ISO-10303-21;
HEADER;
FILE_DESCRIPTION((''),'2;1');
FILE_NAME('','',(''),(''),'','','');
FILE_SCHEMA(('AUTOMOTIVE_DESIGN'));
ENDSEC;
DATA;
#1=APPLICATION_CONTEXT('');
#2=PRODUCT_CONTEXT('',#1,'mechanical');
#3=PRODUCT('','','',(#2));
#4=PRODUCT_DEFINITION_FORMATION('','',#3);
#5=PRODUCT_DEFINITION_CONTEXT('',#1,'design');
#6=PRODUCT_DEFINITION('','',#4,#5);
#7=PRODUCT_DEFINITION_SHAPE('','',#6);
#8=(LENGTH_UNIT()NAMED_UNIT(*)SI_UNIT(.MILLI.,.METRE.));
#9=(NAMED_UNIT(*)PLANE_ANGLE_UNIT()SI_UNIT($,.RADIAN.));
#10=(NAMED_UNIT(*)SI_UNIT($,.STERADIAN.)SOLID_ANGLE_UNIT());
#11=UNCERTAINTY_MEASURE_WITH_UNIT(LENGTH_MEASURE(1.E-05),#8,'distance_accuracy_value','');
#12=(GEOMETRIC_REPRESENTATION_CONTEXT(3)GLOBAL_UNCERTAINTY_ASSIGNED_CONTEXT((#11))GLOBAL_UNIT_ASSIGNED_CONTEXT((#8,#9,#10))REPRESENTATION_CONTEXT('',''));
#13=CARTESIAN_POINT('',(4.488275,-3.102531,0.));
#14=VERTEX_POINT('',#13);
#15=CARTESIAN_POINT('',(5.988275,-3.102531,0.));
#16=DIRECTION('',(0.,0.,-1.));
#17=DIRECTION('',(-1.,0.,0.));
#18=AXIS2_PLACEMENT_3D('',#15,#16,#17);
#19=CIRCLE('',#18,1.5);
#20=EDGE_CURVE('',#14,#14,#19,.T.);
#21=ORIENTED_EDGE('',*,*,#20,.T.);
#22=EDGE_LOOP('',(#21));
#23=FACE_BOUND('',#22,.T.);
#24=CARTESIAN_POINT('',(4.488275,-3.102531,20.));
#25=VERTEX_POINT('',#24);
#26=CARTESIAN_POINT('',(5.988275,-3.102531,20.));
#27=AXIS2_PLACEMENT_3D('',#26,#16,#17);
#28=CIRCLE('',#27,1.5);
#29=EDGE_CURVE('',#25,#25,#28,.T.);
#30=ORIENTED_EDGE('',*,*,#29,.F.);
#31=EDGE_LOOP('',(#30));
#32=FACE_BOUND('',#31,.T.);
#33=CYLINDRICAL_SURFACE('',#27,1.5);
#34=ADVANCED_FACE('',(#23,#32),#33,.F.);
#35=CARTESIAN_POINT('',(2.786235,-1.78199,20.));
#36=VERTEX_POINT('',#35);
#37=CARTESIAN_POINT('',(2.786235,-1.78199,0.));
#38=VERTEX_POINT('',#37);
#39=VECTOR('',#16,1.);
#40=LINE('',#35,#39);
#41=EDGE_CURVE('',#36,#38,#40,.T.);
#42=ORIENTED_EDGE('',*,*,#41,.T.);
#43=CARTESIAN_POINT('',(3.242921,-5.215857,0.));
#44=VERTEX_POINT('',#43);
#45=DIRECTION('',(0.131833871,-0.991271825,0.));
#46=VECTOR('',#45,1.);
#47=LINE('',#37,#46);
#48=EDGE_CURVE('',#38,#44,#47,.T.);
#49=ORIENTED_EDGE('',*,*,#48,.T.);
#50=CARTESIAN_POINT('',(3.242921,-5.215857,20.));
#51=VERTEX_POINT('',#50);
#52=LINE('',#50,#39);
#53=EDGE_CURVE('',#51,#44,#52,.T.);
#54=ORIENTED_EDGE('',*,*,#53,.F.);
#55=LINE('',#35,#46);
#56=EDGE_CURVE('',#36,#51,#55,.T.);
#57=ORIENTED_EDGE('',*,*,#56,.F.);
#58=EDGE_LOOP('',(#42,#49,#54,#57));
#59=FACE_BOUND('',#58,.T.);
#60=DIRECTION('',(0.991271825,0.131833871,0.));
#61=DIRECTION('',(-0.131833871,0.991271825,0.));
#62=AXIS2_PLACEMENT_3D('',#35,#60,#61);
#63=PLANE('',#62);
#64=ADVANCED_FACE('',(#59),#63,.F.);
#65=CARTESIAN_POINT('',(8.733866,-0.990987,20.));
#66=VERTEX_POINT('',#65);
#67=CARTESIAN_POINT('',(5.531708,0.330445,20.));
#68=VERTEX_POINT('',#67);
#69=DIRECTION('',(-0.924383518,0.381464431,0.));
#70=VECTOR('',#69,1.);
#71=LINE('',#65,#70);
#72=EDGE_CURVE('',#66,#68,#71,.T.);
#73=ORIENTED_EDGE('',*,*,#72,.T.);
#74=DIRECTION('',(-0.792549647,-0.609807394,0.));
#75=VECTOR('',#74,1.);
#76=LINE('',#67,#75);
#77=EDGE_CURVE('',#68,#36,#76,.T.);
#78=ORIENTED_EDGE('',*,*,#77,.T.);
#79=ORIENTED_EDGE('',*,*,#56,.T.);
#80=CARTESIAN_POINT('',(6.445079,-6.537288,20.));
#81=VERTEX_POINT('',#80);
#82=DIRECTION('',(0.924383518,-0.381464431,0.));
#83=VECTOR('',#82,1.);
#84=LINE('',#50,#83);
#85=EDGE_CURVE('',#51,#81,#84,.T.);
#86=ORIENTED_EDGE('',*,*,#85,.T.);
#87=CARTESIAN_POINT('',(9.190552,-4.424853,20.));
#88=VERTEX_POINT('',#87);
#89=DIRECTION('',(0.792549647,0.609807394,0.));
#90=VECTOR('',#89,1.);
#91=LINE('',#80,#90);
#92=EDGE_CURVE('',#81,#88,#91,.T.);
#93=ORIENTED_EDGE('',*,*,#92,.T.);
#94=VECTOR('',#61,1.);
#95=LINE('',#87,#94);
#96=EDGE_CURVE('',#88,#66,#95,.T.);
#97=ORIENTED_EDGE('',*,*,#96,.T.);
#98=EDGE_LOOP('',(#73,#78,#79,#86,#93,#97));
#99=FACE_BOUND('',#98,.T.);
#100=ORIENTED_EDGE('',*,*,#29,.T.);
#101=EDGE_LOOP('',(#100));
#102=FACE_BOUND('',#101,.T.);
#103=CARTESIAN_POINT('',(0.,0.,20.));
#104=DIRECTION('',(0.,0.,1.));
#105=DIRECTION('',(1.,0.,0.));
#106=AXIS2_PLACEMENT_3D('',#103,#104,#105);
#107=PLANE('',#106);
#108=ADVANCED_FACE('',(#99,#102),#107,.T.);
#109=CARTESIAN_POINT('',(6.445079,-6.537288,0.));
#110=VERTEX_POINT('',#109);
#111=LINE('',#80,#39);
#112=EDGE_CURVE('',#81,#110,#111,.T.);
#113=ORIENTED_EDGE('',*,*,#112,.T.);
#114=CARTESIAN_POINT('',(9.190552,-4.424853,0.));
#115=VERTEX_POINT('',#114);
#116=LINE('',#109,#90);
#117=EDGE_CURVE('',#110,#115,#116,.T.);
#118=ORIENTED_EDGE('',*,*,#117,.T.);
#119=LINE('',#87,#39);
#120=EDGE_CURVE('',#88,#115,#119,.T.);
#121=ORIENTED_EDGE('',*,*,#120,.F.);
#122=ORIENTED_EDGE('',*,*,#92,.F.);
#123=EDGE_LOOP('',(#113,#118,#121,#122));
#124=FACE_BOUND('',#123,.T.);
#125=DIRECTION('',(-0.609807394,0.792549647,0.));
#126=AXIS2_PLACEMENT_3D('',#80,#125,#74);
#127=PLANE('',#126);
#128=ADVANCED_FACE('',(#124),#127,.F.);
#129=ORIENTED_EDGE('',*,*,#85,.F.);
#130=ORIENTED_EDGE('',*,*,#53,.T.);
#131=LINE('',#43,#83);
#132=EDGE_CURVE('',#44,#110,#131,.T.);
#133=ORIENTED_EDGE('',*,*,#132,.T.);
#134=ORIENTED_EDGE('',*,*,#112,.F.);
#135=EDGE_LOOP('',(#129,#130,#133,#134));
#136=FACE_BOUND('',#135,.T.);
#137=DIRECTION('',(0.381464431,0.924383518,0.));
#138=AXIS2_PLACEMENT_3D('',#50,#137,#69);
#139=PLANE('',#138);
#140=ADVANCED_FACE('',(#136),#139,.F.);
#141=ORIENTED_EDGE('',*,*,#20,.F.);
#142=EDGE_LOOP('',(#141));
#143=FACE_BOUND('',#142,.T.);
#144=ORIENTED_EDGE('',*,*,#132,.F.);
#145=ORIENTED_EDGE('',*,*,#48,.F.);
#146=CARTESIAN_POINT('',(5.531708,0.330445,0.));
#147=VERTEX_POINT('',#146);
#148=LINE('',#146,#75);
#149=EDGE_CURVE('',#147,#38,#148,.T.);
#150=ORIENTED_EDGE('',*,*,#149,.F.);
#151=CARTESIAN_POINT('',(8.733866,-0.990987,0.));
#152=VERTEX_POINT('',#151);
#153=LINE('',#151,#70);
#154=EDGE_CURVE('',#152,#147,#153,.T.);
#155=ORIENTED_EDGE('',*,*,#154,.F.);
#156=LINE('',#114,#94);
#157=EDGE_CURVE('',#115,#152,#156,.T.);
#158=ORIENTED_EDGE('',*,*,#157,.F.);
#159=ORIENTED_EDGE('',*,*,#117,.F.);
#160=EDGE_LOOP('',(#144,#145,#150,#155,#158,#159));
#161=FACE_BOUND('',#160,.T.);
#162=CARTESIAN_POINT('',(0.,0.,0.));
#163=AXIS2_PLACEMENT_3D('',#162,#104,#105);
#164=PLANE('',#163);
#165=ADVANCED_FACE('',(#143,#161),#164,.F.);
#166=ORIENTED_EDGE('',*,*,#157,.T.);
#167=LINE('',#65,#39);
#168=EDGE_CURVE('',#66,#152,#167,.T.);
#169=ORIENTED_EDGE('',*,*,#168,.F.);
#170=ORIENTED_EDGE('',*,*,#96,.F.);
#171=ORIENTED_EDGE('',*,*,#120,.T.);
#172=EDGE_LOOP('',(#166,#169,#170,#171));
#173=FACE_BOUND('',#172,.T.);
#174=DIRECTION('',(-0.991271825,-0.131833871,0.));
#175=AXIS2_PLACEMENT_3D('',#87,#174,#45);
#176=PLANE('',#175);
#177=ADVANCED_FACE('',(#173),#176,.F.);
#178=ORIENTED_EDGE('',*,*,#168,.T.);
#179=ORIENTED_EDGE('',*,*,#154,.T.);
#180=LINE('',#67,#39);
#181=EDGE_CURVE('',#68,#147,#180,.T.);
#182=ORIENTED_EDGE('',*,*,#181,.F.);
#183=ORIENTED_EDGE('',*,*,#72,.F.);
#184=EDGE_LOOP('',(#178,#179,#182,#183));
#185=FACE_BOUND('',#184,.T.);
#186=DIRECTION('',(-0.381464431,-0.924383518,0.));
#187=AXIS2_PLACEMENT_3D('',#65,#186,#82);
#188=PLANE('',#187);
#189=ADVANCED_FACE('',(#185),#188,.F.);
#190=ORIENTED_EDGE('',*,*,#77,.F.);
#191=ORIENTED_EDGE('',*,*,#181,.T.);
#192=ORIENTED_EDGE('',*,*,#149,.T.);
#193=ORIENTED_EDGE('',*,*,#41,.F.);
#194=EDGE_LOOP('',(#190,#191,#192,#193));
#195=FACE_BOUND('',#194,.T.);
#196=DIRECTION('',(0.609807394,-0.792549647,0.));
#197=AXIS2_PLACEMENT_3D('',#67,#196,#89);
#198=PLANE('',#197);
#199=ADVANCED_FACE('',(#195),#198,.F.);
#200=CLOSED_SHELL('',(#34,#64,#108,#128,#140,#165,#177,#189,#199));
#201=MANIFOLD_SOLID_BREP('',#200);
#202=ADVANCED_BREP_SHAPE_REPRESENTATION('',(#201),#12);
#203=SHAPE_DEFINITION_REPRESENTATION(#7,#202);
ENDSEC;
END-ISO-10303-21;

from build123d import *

# Parameters (mm, degrees)
RESSALTO_EXTRUS_O1_DEPTH = 20
ESBO_O2_R                = 1.5
CORTE_EXTRUS_O1_DEPTH    = 20


with BuildPart() as part:
    # Esboço1 → Ressalto-extrusão1 (new body)
    with BuildSketch(Plane.XY):
        Polygon((8.733866008, -0.990987001), (5.531707571, 0.330444551), (2.786235059, -1.781990226), (3.242920984, -5.215856555), (6.445079421, -6.537288107), (9.190551933, -4.424853331), align=None)
    extrude(amount=RESSALTO_EXTRUS_O1_DEPTH)

    # Esboço2 → Corte-extrusão1 (cut)
    with BuildSketch(Plane(origin=(0, 0, 0), x_dir=(-1, 0, 0), z_dir=(0, 0, -1))):
        with Locations((-5.988275058, -3.102531235)):
            Circle(ESBO_O2_R)
    extrude(amount=-CORTE_EXTRUS_O1_DEPTH, mode=Mode.SUBTRACT)


solid = part.part
